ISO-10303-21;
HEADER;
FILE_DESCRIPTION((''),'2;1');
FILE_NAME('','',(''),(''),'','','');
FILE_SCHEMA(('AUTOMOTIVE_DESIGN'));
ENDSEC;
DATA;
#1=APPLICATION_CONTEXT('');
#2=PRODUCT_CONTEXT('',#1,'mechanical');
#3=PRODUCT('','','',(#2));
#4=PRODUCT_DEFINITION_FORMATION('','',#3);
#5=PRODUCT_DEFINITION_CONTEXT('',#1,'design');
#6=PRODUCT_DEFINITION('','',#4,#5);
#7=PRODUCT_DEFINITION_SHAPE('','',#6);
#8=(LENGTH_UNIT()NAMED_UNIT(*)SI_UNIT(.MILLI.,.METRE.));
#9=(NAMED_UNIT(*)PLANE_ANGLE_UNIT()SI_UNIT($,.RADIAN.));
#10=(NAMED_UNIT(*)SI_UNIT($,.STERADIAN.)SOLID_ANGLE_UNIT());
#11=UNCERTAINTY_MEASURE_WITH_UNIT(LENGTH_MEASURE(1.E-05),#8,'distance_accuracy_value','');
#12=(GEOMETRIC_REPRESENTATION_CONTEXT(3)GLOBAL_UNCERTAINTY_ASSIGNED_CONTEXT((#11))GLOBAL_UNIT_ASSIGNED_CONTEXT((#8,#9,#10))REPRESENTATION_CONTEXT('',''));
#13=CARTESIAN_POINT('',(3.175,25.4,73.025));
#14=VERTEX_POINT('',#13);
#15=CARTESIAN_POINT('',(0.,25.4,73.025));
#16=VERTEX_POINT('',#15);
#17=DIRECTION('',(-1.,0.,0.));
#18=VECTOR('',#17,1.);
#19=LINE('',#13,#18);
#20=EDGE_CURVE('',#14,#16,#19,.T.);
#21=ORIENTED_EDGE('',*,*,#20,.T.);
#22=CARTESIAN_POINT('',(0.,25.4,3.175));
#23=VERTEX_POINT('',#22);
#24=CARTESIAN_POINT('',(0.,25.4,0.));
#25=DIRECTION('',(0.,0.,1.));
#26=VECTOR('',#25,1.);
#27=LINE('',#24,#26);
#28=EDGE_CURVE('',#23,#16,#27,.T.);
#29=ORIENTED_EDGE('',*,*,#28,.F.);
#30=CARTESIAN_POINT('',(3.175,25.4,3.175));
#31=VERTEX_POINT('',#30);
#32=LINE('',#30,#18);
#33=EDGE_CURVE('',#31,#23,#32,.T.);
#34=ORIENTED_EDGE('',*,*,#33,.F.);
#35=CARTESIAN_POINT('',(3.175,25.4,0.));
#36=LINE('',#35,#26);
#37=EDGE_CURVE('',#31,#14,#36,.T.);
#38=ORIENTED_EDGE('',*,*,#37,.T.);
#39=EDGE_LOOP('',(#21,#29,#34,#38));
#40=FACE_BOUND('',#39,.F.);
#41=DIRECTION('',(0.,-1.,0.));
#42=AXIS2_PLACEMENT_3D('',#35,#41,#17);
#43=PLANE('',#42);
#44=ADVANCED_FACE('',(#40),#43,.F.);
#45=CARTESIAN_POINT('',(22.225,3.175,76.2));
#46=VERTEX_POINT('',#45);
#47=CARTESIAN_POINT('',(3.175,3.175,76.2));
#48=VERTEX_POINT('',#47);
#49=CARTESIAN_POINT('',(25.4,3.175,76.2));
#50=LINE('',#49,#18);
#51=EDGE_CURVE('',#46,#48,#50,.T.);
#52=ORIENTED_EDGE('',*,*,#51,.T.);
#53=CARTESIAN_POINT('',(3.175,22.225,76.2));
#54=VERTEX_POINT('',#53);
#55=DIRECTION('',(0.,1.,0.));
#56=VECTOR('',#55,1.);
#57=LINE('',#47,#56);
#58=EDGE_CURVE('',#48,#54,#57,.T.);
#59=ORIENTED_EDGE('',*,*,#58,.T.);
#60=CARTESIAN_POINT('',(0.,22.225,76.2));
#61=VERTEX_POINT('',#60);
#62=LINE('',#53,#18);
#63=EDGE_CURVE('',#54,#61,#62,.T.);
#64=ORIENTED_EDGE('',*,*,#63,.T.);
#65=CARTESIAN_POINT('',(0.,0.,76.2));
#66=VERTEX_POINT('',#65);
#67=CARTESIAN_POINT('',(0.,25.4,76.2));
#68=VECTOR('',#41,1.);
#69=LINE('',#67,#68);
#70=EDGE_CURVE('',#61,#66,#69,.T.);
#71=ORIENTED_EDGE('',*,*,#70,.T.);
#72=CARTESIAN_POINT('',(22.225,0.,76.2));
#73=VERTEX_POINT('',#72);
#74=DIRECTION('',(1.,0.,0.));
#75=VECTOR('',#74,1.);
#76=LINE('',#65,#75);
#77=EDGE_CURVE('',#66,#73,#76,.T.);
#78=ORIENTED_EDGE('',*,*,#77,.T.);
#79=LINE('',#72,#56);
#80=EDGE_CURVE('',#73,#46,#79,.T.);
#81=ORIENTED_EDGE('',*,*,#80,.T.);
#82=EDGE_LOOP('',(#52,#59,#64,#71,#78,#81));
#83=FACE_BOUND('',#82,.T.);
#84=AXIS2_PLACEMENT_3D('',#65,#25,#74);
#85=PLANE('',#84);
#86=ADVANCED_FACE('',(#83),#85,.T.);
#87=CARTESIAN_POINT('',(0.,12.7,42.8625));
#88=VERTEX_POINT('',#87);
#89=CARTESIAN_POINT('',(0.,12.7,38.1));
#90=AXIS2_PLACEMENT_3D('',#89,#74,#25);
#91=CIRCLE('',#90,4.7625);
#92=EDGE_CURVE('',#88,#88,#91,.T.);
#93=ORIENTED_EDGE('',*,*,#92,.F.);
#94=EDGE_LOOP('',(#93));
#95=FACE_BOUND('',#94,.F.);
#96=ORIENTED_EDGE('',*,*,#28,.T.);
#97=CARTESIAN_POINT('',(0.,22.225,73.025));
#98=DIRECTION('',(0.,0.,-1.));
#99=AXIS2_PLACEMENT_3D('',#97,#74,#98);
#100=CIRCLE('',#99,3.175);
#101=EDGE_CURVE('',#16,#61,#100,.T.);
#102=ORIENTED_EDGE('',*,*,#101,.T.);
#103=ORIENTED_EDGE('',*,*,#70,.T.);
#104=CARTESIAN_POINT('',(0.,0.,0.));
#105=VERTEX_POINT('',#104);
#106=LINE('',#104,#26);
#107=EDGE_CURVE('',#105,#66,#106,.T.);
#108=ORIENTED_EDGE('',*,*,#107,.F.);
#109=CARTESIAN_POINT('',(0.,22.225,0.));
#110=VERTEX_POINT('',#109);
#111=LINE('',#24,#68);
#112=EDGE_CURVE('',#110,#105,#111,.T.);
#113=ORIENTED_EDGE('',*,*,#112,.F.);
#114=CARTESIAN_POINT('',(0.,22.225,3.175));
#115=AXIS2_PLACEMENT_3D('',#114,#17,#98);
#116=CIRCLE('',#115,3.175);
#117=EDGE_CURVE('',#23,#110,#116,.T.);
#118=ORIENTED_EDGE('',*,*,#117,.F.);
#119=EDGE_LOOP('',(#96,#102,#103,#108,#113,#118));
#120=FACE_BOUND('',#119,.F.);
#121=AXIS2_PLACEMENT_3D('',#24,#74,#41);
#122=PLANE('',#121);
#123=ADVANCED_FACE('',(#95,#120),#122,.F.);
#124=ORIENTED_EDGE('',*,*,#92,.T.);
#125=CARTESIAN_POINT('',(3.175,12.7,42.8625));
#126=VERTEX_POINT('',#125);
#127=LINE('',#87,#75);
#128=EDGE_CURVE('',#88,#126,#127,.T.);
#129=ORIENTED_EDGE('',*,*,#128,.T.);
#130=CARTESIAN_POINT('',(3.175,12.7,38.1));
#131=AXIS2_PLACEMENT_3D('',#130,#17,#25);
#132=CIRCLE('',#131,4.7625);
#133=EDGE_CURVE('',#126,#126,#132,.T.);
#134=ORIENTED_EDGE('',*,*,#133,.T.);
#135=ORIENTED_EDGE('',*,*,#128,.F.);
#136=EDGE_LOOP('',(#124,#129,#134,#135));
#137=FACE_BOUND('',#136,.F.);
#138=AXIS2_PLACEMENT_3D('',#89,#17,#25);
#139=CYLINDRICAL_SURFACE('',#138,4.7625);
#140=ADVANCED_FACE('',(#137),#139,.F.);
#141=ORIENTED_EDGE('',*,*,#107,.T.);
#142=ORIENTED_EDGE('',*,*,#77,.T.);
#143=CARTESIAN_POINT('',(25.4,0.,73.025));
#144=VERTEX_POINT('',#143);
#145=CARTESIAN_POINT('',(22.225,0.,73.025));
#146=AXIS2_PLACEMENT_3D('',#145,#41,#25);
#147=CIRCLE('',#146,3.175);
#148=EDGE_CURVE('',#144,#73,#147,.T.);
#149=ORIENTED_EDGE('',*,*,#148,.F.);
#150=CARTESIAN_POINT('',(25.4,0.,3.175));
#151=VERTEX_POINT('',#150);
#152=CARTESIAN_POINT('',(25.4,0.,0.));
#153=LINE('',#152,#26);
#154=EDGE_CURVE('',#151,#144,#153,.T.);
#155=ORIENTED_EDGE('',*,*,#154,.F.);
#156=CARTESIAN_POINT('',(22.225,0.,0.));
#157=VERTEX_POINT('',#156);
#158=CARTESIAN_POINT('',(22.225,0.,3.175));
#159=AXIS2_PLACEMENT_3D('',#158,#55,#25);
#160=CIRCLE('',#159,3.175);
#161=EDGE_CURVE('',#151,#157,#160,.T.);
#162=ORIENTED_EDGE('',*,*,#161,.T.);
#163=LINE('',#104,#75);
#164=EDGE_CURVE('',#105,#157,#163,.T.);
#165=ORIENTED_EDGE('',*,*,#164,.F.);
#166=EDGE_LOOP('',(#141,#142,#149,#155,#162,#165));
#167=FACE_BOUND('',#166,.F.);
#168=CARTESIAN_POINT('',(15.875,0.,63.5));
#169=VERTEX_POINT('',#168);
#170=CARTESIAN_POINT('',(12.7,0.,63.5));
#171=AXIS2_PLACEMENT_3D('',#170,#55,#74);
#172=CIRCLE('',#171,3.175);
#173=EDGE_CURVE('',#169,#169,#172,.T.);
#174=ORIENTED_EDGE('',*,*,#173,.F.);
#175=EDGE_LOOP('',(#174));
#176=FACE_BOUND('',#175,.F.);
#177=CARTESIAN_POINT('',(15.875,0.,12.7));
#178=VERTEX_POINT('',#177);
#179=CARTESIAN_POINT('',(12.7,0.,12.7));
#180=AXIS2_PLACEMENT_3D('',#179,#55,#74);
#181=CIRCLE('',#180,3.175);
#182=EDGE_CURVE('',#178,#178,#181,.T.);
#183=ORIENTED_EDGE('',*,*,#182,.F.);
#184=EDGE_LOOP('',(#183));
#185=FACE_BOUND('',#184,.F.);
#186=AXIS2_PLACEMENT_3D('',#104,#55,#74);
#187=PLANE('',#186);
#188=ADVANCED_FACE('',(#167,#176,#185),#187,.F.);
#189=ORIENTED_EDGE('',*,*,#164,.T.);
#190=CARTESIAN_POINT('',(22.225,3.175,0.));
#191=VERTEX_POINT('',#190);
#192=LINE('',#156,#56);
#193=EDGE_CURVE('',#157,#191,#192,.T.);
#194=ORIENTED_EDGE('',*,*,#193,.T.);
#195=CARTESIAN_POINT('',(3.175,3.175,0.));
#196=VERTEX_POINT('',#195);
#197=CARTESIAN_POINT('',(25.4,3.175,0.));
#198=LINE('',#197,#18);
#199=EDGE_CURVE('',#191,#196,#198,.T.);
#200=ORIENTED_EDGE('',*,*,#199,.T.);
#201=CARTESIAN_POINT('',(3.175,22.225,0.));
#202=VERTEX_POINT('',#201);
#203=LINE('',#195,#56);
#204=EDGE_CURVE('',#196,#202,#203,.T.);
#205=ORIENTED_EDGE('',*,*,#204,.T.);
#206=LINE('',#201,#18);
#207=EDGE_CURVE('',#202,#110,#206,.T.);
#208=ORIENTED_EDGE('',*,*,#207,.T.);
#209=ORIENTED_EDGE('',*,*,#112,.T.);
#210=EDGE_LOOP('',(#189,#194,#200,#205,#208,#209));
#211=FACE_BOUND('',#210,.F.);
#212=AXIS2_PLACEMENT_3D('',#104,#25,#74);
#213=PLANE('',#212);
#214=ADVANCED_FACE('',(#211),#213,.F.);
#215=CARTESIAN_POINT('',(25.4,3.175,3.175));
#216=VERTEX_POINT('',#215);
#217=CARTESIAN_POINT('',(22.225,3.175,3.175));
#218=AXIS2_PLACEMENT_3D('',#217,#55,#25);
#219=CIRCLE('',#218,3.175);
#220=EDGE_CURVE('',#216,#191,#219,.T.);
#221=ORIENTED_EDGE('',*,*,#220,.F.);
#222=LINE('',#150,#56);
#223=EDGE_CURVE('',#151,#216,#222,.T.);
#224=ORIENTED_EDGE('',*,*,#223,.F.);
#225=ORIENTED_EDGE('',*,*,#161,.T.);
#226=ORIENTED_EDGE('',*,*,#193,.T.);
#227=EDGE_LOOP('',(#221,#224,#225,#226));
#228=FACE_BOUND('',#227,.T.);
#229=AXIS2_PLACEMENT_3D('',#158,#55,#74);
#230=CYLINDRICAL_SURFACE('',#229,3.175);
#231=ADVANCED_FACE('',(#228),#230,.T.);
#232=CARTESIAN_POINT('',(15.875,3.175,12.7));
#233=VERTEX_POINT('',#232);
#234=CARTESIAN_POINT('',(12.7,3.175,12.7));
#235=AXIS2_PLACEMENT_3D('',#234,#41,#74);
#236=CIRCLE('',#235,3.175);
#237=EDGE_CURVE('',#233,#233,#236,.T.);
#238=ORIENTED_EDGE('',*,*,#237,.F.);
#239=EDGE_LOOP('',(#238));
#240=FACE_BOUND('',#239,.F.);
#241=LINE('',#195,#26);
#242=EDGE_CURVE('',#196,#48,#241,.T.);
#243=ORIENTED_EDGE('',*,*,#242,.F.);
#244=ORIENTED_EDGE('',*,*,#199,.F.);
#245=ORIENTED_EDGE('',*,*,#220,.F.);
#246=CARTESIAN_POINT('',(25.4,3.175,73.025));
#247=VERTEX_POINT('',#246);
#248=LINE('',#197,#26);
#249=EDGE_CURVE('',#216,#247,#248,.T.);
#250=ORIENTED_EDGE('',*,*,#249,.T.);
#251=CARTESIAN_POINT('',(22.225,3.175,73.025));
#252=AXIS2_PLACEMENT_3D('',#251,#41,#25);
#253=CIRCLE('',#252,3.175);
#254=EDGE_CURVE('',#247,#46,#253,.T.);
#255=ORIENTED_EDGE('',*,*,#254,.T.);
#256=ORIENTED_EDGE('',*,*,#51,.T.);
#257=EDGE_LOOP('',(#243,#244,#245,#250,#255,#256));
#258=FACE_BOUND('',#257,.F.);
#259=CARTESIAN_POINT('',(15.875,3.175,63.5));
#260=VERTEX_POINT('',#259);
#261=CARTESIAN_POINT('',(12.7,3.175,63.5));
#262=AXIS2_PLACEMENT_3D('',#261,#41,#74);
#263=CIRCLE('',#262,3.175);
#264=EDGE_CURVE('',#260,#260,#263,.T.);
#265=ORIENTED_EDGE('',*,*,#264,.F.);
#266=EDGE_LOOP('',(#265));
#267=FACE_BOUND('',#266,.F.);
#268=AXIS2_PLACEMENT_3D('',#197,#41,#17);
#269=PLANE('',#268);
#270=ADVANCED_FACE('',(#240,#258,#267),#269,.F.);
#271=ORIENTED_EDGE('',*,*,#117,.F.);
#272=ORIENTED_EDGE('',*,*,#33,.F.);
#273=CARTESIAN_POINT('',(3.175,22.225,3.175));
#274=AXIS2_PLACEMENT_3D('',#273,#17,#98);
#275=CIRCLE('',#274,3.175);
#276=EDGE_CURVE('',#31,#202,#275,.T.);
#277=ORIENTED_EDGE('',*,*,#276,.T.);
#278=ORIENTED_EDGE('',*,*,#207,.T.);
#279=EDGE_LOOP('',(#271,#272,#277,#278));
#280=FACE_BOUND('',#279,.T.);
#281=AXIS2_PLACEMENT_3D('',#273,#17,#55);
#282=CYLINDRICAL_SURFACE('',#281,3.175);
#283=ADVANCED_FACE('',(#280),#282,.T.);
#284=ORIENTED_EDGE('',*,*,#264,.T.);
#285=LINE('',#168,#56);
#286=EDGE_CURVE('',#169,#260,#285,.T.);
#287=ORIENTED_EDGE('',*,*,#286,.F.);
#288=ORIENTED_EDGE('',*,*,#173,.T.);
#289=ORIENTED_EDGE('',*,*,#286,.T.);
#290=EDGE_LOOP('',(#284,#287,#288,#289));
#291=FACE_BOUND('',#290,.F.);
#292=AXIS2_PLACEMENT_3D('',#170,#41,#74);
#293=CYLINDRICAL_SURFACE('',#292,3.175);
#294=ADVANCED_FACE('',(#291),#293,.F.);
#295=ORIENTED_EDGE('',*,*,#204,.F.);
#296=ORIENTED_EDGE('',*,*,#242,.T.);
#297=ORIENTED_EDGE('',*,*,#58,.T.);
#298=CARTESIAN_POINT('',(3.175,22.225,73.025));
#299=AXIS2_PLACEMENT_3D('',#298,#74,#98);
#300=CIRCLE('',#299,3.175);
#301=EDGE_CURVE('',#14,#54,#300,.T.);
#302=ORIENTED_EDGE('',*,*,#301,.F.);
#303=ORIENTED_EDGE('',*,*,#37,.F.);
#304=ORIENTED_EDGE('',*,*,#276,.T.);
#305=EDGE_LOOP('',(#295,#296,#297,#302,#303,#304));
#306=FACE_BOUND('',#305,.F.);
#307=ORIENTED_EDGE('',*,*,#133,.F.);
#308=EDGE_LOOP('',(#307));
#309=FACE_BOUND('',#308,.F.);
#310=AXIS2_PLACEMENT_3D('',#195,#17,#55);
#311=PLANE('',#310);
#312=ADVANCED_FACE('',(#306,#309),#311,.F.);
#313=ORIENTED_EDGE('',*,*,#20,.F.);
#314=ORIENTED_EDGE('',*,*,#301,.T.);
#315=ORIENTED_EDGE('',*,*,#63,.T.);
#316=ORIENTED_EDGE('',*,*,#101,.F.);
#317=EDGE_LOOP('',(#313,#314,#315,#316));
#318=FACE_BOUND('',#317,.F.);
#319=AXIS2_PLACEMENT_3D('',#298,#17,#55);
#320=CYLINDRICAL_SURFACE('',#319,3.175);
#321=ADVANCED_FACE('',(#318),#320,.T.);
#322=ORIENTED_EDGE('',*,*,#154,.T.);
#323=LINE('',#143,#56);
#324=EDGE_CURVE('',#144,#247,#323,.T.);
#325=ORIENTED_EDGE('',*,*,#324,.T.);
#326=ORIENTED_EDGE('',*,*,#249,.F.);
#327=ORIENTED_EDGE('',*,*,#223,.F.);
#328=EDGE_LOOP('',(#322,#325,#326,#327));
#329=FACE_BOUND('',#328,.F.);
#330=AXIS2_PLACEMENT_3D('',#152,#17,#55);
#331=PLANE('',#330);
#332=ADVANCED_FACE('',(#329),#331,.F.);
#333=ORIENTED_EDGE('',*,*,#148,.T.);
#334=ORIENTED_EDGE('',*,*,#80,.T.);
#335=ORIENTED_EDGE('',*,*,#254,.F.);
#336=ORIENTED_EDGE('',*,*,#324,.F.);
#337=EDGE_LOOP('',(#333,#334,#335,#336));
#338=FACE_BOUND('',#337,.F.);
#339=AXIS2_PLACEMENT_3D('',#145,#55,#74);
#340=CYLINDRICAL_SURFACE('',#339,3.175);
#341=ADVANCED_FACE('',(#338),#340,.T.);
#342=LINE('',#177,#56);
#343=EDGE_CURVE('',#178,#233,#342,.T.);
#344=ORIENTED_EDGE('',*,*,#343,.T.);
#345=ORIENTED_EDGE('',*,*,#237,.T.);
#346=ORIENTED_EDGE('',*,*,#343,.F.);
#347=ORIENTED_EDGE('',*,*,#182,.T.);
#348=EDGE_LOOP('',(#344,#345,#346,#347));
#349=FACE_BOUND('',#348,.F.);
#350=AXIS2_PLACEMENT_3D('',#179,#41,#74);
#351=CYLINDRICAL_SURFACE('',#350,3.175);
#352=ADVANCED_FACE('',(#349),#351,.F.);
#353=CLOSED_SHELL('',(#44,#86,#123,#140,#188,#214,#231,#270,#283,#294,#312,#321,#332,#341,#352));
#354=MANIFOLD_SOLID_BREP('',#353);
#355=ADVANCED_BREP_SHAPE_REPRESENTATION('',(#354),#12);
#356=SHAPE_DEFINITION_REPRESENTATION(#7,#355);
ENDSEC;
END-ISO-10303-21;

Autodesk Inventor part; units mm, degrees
ref_plane "YZ Plane" through (0, 0, 0) normal (1, 0, 0) x (0, 1, 0)
ref_plane "XZ Plane" through (0, 0, 0) normal (0, 1, 0) x (-1, 0, 0)
ref_plane "XY Plane" through (0, 0, 0) normal (0, 0, 1) x (1, 0, 0)
sketch "Sketch1" plane through (0, 0, 0) normal (0, 0, 1) x (1, 0, 0)
  line L0 (0, 25.4) -> (0, 0)
  line L1 (0, 0) -> (25.4, 0)
  line L2 (25.4, 0) -> (25.4, 3.175)
  line L3 (25.4, 3.175) -> (3.175, 3.175)
  line L4 (3.175, 3.175) -> (3.175, 25.4)
  line L5 (3.175, 25.4) -> (0, 25.4)
  dimension "d0" = 3.175
  dimension "d1" = 3.175
  dimension "d2" = 25.4
  dimension "d3" = 25.4
extrude "Extrusion1" add sketch "Sketch1" along normal blind 76.2
fillet "Fillet1" radius 3.175 4 edges at (1.5875, 25.4, 76.2) (1.5875, 25.4, 0) (25.4, 1.5875, 0) (25.4, 1.5875, 76.2)
sketch "Sketch2" plane through (0, 0, 0) normal (-1, 0, 0) x (0, 0, 1)
  line L0 (0, 0) -> (76.2, 0) projected
  line L1 (3.175, 25.4) -> (73.025, 25.4) projected
  circle A0 centre (38.1, 12.7) radius 4.7625
  line L2 (38.1, 25.4) -> (38.1, 12.7)
  line L3 (38.1, 12.7) -> (38.1, 0)
  dimension "d7" = 9.525
extrude "Extrusion2" cut sketch "Sketch2" against normal up to next
sketch "Sketch3" plane through (0, 0, 0) normal (0, -1, 0) x (1, 0, 0)
  line L0 (22.225, 76.2) -> (0, 76.2) projected
  line L1 (0, 0) -> (0, 76.2) projected
  line L2 (22.225, 0) -> (0, 0) projected
  line L3 (25.4, 3.175) -> (25.4, 73.025) projected
  line L4 (0, 63.5) -> (12.7, 63.5)
  line L5 (12.7, 63.5) -> (25.4, 63.5)
  line L6 (12.7, 76.2) -> (12.7, 63.5)
  line L7 (12.7, 63.5) -> (12.7, 12.7)
  line L8 (12.7, 12.7) -> (12.7, 0)
  circle A0 centre (12.7, 63.5) radius 3.175
  circle A1 centre (12.7, 12.7) radius 3.175
  dimension "d10" = 12.7
  dimension "d11" = 6.35
  dimension "d12" = 6.35
extrude "Extrusion3" cut sketch "Sketch3" against normal up to next contours A0 L5 L6 | L6 L4 A0 | L7 A0 L4 | L5 A0 L7 | A1 L8 L7 | L7 L8 A1
properties part number "WheelBlockMount" material "Aluminum-6061"
